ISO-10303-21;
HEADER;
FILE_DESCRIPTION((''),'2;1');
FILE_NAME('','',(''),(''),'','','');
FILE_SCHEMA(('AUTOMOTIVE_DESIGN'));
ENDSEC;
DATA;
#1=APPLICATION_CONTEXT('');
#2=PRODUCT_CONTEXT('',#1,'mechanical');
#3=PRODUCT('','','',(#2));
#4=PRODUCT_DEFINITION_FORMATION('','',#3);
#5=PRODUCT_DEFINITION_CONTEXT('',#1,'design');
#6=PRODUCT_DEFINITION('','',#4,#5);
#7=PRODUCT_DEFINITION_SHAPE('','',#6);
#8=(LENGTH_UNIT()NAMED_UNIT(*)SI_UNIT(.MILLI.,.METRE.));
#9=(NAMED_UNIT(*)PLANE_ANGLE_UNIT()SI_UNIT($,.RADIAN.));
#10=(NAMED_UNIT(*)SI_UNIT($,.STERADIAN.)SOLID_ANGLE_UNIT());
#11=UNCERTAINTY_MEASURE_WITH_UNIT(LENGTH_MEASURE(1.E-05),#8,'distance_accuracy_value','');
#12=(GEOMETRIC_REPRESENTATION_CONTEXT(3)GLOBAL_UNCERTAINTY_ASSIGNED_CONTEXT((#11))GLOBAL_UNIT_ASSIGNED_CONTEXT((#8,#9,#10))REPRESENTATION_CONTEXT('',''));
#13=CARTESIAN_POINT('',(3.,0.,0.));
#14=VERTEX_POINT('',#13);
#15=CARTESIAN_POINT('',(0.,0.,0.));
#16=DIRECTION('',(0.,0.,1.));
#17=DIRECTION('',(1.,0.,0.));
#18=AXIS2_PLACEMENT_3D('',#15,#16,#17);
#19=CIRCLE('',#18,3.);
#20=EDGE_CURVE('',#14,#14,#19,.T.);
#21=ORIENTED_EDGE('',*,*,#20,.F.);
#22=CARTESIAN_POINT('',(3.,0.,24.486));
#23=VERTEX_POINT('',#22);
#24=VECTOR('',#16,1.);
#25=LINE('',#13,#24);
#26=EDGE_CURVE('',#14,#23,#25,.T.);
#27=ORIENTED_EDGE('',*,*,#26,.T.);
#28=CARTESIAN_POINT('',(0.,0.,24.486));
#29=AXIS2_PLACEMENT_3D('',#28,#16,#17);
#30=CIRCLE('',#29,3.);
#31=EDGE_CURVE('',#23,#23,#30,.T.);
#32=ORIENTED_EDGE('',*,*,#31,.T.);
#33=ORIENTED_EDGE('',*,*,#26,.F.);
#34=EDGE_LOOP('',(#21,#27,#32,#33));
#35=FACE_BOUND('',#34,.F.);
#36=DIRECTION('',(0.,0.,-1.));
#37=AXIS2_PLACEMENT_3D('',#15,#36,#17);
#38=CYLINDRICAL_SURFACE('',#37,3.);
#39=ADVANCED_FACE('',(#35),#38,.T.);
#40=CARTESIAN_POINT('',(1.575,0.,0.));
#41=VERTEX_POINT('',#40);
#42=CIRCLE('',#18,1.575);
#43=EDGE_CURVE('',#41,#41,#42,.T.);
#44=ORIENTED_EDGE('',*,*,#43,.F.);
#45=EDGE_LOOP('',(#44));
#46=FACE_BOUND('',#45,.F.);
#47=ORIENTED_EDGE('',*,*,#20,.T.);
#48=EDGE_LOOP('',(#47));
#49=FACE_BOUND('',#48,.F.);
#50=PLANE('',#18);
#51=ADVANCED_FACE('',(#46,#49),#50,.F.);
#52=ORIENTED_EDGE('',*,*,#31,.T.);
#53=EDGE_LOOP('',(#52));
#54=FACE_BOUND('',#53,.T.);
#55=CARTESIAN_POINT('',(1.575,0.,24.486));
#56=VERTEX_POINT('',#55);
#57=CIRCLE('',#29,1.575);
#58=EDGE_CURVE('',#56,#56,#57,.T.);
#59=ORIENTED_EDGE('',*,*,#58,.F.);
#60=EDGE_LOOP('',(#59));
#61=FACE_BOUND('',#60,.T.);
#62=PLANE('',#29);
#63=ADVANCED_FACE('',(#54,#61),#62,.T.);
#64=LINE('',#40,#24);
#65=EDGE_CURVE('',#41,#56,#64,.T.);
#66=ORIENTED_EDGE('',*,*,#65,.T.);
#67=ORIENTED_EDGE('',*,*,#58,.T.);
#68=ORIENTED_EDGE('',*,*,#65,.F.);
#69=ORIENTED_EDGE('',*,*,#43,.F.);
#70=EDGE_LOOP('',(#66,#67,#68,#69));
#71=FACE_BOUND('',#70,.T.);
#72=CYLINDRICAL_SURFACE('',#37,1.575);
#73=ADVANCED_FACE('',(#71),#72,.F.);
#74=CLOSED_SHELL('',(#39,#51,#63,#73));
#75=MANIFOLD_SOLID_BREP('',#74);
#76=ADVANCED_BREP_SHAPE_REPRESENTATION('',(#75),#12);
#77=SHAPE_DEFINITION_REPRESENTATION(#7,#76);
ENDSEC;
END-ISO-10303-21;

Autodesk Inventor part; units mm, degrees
ref_plane "YZ Plane" through (0, 0, 0) normal (1, 0, 0) x (0, 1, 0)
ref_plane "XZ Plane" through (0, 0, 0) normal (0, 1, 0) x (-1, 0, 0)
ref_plane "XY Plane" through (0, 0, 0) normal (0, 0, 1) x (1, 0, 0)
sketch "Sketch1" plane through (0, 0, 0) normal (0, 0, 1) x (1, 0, 0)
  circle A0 centre (0, 0) radius 1.575
  circle A1 centre (0, 0) radius 3
  dimension "d0" = 3.15
  dimension "d1" = 6
extrude "Extrusion1" add sketch "Sketch1" along normal blind 24.486
properties part number "NewUpperSpacer"
